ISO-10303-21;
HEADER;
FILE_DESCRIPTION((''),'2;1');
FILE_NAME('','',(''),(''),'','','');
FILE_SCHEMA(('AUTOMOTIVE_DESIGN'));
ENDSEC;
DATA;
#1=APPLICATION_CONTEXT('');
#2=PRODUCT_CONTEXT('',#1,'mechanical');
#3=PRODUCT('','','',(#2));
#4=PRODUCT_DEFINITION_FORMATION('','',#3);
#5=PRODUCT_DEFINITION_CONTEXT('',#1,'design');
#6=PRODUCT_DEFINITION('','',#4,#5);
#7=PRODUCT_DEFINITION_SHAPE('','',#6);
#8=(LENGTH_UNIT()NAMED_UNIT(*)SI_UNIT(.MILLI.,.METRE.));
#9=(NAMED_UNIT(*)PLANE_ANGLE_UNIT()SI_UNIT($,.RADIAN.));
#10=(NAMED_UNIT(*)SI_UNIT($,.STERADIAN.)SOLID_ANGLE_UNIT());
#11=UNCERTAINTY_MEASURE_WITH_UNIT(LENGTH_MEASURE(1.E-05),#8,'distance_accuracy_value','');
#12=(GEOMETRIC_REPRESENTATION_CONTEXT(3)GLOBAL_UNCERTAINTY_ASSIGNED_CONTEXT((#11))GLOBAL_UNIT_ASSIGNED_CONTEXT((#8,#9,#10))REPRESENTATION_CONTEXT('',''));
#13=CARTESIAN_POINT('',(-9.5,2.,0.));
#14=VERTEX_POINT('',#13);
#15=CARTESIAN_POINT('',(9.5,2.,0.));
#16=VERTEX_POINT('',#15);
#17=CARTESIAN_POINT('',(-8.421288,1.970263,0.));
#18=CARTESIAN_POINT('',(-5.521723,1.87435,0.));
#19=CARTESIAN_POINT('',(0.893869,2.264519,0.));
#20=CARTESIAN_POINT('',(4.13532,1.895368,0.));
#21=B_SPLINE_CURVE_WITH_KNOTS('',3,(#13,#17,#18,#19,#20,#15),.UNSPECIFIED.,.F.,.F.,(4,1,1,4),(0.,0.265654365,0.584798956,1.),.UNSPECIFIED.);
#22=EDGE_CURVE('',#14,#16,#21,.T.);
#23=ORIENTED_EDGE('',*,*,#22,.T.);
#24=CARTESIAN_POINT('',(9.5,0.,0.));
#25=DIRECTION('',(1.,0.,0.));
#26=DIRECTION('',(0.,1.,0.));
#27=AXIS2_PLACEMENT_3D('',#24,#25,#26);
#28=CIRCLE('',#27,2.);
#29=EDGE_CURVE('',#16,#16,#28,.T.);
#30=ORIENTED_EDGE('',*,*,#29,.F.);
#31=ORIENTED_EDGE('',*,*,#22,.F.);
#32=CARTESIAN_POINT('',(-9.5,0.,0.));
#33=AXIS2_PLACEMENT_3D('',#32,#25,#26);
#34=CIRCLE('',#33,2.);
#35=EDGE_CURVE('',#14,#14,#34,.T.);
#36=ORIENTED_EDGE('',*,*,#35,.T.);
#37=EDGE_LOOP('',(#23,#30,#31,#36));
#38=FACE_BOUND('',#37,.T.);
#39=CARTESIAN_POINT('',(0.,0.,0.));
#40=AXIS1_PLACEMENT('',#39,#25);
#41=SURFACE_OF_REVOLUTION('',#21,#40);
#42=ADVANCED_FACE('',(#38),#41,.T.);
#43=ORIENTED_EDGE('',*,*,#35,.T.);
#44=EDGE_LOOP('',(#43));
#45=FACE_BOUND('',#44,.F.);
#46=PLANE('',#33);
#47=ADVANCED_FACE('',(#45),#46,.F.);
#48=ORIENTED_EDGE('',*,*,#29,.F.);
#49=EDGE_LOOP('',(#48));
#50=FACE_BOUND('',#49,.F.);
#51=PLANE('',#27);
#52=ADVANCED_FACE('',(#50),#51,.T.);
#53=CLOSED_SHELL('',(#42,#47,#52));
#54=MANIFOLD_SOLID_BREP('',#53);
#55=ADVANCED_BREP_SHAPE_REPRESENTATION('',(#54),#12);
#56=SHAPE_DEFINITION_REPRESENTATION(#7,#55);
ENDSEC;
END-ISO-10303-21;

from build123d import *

# Parameters (mm, degrees)
F2_SCALE = 0.5


with BuildPart() as f1:
    # F0 (on Top) → F1 (revolve)
    with BuildSketch(Plane.XY):
        with BuildLine():
            Line((-19, 4), (-19, 0))
            Line((-19, 0), (19, 0))
            Line((19, 0), (19, 4))
            add(Edge.make_bspline(
                [(-19, 4), (-16.8425769943, 3.9405265748), (-11.0434454615, 3.7486995039), (1.7877387598, 4.5290379456), (8.2706393516, 3.7907353385), (19, 4)],
                knots=[0, 0, 0, 0, 0.2656543652, 0.5847989558, 1, 1, 1, 1], degree=3))
        make_face()
    revolve(axis=Axis((0, 0, 0), (1, 0, 0)))


with BuildPart() as f1_1:
    # F2: moved
    add(f1.part.scale(F2_SCALE))


solid = f1_1.part
